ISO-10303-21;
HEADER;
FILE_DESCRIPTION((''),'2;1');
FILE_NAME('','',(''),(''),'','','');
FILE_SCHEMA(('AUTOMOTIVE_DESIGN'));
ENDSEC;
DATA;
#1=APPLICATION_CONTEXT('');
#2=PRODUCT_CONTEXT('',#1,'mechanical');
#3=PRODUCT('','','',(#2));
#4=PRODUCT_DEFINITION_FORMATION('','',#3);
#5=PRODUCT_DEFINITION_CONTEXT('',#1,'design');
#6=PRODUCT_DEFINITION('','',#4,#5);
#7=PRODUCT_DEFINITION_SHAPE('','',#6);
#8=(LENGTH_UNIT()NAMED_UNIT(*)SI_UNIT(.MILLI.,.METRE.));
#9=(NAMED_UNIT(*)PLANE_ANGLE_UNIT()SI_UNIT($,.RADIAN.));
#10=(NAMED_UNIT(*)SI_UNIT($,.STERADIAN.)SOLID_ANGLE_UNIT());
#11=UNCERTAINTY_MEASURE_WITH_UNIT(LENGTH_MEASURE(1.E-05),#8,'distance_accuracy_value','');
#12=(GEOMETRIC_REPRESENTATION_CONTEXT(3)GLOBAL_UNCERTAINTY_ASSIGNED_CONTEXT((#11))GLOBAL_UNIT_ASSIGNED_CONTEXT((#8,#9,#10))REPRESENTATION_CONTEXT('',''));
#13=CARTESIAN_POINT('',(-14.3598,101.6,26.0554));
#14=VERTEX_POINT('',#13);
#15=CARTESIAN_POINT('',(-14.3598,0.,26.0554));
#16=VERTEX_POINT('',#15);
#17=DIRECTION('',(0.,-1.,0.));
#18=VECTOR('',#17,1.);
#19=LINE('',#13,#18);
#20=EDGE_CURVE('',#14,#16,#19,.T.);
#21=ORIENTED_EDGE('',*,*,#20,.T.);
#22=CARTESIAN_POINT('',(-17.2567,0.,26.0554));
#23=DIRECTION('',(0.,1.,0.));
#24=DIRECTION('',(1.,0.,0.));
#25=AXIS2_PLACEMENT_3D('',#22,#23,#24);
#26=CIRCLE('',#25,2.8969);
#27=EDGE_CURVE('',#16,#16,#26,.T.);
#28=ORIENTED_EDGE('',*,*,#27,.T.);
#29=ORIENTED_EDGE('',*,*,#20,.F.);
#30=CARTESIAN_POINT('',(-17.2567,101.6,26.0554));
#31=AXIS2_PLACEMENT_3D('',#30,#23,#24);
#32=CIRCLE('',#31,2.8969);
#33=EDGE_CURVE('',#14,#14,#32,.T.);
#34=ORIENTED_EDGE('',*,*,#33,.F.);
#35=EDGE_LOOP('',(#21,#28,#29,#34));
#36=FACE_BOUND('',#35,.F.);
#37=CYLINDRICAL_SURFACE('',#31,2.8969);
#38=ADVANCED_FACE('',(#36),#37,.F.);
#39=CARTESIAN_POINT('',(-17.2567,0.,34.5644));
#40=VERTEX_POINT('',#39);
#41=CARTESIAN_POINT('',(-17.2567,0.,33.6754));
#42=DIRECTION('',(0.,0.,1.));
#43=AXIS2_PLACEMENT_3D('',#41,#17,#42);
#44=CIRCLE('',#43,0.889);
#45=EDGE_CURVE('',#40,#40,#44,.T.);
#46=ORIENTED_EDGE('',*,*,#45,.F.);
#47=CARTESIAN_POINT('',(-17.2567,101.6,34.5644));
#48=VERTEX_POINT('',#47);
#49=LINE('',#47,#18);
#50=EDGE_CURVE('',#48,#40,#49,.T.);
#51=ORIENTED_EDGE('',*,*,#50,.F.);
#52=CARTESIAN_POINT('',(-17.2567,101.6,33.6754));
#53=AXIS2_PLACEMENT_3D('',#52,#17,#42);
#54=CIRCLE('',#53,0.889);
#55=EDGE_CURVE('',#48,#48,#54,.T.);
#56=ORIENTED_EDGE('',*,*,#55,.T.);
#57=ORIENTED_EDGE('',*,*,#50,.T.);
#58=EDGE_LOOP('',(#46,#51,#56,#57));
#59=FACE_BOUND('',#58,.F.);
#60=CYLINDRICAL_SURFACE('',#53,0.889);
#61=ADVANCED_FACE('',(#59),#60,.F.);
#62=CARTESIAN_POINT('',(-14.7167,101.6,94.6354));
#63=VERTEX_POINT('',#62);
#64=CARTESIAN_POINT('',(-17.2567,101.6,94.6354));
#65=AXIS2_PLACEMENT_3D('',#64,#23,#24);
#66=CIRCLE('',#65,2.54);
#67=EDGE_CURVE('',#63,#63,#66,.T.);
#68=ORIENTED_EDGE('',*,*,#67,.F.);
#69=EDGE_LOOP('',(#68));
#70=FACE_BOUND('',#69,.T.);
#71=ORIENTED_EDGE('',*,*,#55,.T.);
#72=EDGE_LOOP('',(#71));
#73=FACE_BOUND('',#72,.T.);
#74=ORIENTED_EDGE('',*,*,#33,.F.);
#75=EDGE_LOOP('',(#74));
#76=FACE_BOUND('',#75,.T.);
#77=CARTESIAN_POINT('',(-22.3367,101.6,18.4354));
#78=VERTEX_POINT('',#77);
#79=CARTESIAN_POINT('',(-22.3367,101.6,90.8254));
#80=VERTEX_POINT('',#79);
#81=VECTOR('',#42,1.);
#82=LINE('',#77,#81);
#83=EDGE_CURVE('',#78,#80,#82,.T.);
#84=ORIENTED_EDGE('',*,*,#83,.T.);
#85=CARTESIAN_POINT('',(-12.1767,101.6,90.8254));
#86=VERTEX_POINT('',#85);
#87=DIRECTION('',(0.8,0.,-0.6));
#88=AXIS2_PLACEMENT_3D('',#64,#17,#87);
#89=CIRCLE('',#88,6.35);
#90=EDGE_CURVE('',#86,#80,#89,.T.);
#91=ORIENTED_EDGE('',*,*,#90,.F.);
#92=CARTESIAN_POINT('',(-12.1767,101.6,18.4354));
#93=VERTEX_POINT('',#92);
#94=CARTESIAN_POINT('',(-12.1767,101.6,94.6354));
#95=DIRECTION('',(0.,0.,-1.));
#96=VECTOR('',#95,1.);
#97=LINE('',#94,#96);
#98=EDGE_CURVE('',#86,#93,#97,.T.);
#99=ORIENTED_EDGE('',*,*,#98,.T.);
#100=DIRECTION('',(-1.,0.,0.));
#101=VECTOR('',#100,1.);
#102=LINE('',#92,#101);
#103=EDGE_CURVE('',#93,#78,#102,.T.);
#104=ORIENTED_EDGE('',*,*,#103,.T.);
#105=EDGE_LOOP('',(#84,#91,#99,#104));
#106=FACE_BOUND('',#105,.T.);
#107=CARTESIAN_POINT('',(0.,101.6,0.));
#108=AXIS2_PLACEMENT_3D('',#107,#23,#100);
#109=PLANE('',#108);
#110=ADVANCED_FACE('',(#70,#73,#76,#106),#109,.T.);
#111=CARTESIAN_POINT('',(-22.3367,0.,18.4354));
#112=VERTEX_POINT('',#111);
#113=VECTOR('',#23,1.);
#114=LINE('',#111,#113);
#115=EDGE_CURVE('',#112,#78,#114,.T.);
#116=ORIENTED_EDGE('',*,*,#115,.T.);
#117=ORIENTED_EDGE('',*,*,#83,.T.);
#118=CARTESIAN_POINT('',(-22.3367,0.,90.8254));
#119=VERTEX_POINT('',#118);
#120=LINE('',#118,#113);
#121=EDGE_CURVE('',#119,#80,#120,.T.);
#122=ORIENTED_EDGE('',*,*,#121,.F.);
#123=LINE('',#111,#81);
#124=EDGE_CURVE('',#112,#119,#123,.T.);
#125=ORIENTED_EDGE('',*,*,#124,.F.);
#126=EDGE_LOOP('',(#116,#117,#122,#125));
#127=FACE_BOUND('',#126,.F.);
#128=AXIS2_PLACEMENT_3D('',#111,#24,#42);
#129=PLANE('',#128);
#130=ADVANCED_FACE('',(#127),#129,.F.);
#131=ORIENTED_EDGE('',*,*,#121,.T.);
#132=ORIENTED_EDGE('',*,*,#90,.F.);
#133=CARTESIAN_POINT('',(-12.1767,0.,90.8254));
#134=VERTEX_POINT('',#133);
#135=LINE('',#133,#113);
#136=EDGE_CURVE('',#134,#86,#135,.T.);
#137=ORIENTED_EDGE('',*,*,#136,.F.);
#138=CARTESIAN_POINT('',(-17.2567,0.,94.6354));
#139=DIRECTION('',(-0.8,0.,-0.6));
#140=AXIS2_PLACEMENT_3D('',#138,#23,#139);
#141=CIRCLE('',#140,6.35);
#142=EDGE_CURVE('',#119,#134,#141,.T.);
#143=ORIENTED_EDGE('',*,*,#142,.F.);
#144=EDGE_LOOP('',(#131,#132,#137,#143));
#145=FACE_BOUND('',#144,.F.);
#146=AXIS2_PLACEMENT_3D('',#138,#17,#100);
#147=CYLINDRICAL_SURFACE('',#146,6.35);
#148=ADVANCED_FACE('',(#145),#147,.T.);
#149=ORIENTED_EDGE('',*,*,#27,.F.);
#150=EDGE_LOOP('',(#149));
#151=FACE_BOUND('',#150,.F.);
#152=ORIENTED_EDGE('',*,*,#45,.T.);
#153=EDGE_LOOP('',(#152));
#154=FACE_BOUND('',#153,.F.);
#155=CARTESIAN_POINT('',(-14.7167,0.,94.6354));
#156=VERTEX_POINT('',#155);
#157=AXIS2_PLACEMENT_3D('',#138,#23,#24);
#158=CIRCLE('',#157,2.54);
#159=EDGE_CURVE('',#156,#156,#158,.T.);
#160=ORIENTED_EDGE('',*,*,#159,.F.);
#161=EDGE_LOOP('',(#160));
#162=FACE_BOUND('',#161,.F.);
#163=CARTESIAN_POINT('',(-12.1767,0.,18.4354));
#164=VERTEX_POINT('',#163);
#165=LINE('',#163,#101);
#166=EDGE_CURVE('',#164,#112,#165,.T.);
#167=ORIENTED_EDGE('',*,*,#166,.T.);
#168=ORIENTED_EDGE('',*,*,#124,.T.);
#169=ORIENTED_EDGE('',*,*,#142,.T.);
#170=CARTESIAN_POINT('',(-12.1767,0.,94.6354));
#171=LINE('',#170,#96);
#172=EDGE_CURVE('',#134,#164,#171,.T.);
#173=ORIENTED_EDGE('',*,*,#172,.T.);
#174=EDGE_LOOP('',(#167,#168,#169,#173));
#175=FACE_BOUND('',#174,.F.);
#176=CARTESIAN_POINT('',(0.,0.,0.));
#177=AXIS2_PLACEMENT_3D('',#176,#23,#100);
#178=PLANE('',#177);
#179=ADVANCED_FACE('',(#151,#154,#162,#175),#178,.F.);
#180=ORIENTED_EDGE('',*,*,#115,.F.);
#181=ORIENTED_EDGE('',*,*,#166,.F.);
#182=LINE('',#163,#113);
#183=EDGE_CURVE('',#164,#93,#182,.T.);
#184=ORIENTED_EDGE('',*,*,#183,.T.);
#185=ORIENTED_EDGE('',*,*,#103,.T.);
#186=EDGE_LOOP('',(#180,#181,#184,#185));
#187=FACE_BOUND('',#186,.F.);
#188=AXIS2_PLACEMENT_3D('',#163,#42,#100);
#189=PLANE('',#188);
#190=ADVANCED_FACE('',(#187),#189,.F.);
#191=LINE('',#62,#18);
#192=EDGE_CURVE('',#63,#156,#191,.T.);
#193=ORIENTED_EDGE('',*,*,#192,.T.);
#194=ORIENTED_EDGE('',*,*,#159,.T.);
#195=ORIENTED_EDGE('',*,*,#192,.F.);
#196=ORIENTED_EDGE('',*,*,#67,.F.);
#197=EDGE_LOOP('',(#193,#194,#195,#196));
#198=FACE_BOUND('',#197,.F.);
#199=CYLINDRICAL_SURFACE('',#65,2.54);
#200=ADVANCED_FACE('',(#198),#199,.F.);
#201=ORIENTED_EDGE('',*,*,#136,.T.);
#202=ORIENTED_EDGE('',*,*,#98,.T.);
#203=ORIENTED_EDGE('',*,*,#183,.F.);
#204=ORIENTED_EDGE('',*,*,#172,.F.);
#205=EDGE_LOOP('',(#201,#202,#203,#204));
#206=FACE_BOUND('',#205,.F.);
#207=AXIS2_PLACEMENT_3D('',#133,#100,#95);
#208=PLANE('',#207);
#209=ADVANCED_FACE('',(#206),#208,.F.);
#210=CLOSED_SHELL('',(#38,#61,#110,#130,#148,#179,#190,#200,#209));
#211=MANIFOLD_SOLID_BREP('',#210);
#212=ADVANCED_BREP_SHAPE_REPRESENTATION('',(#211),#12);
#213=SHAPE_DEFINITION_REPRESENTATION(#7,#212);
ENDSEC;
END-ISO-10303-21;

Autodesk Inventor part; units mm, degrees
ref_plane "YZ Plane" through (0, 0, 0) normal (1, 0, 0) x (0, 1, 0)
ref_plane "XZ Plane" through (0, 0, 0) normal (0, 1, 0) x (-1, 0, 0)
ref_plane "XY Plane" through (0, 0, 0) normal (0, 0, 1) x (1, 0, 0)
sketch "Sketch1" plane through (0, 0, 0) normal (0, 1, 0) x (-1, 0, 0)
  circle A0 centre (17.2567, 94.6354) radius 6.35
  line L0 (22.3367, 94.6354) -> (12.1767, 94.6354)
  line L1 (12.1767, 94.6354) -> (12.1767, 18.4354)
  line L2 (12.1767, 18.4354) -> (22.3367, 18.4354)
  line L3 (22.3367, 18.4354) -> (22.3367, 94.6354)
  point P0 (0, 0)
  dimension "d0" = 12.7
  dimension "d1" = 76.2
  dimension "d2" = 0
  dimension "d3" = 10.16
  dimension "d4" = 5.08
extrude "Extrusion1" add sketch "Sketch1" along normal blind 101.6
sketch "Sketch2" plane through (0, 101.6, 0) normal (0, 1, 0) x (1, 0, 0)
  arc A0 (-22.3367, -90.8254) -> (-12.1767, -90.8254) centre (-17.2567, -94.6354) ccw projected
  circle A1 centre (-17.2567, -94.6354) radius 2.54
  point P0 (0, 0)
  dimension "d7" = 5.08
extrude "Extrusion2" cut sketch "Sketch2" against normal blind 482.6
sketch "Sketch3" plane through (0, 101.6, 0) normal (0, 1, 0) x (1, 0, 0)
  circle A0 centre (-17.2567, -26.0554) radius 2.8969
  line L0 (-12.1767, -18.4354) -> (-22.3367, -18.4354) projected
  line L1 (-22.3367, -18.4354) -> (-22.3367, -90.8254) projected
  point P0 (0, 0)
  dimension "d10" = 7.62
  dimension "d11" = 5.08
extrude "Extrusion3" cut sketch "Sketch3" against normal blind 482.6
sketch "Sketch4" plane through (0, 101.6, 0) normal (0, 1, 0) x (1, 0, 0)
  circle A0 centre (-17.2567, -33.6754) radius 2.6633
  line L0 (-12.1767, -90.8254) -> (-12.1767, -18.4354) projected
  line L1 (-12.1767, -18.4354) -> (-22.3367, -18.4354) projected
  point P0 (0, 0)
  dimension "d14" = 5.08
  dimension "d15" = 15.24
hole "Hole1" at (-17.2567, 101.6, 33.6754) direction (0, -1, 0) diameter 1.778 end through all
properties part number "Gripper"
